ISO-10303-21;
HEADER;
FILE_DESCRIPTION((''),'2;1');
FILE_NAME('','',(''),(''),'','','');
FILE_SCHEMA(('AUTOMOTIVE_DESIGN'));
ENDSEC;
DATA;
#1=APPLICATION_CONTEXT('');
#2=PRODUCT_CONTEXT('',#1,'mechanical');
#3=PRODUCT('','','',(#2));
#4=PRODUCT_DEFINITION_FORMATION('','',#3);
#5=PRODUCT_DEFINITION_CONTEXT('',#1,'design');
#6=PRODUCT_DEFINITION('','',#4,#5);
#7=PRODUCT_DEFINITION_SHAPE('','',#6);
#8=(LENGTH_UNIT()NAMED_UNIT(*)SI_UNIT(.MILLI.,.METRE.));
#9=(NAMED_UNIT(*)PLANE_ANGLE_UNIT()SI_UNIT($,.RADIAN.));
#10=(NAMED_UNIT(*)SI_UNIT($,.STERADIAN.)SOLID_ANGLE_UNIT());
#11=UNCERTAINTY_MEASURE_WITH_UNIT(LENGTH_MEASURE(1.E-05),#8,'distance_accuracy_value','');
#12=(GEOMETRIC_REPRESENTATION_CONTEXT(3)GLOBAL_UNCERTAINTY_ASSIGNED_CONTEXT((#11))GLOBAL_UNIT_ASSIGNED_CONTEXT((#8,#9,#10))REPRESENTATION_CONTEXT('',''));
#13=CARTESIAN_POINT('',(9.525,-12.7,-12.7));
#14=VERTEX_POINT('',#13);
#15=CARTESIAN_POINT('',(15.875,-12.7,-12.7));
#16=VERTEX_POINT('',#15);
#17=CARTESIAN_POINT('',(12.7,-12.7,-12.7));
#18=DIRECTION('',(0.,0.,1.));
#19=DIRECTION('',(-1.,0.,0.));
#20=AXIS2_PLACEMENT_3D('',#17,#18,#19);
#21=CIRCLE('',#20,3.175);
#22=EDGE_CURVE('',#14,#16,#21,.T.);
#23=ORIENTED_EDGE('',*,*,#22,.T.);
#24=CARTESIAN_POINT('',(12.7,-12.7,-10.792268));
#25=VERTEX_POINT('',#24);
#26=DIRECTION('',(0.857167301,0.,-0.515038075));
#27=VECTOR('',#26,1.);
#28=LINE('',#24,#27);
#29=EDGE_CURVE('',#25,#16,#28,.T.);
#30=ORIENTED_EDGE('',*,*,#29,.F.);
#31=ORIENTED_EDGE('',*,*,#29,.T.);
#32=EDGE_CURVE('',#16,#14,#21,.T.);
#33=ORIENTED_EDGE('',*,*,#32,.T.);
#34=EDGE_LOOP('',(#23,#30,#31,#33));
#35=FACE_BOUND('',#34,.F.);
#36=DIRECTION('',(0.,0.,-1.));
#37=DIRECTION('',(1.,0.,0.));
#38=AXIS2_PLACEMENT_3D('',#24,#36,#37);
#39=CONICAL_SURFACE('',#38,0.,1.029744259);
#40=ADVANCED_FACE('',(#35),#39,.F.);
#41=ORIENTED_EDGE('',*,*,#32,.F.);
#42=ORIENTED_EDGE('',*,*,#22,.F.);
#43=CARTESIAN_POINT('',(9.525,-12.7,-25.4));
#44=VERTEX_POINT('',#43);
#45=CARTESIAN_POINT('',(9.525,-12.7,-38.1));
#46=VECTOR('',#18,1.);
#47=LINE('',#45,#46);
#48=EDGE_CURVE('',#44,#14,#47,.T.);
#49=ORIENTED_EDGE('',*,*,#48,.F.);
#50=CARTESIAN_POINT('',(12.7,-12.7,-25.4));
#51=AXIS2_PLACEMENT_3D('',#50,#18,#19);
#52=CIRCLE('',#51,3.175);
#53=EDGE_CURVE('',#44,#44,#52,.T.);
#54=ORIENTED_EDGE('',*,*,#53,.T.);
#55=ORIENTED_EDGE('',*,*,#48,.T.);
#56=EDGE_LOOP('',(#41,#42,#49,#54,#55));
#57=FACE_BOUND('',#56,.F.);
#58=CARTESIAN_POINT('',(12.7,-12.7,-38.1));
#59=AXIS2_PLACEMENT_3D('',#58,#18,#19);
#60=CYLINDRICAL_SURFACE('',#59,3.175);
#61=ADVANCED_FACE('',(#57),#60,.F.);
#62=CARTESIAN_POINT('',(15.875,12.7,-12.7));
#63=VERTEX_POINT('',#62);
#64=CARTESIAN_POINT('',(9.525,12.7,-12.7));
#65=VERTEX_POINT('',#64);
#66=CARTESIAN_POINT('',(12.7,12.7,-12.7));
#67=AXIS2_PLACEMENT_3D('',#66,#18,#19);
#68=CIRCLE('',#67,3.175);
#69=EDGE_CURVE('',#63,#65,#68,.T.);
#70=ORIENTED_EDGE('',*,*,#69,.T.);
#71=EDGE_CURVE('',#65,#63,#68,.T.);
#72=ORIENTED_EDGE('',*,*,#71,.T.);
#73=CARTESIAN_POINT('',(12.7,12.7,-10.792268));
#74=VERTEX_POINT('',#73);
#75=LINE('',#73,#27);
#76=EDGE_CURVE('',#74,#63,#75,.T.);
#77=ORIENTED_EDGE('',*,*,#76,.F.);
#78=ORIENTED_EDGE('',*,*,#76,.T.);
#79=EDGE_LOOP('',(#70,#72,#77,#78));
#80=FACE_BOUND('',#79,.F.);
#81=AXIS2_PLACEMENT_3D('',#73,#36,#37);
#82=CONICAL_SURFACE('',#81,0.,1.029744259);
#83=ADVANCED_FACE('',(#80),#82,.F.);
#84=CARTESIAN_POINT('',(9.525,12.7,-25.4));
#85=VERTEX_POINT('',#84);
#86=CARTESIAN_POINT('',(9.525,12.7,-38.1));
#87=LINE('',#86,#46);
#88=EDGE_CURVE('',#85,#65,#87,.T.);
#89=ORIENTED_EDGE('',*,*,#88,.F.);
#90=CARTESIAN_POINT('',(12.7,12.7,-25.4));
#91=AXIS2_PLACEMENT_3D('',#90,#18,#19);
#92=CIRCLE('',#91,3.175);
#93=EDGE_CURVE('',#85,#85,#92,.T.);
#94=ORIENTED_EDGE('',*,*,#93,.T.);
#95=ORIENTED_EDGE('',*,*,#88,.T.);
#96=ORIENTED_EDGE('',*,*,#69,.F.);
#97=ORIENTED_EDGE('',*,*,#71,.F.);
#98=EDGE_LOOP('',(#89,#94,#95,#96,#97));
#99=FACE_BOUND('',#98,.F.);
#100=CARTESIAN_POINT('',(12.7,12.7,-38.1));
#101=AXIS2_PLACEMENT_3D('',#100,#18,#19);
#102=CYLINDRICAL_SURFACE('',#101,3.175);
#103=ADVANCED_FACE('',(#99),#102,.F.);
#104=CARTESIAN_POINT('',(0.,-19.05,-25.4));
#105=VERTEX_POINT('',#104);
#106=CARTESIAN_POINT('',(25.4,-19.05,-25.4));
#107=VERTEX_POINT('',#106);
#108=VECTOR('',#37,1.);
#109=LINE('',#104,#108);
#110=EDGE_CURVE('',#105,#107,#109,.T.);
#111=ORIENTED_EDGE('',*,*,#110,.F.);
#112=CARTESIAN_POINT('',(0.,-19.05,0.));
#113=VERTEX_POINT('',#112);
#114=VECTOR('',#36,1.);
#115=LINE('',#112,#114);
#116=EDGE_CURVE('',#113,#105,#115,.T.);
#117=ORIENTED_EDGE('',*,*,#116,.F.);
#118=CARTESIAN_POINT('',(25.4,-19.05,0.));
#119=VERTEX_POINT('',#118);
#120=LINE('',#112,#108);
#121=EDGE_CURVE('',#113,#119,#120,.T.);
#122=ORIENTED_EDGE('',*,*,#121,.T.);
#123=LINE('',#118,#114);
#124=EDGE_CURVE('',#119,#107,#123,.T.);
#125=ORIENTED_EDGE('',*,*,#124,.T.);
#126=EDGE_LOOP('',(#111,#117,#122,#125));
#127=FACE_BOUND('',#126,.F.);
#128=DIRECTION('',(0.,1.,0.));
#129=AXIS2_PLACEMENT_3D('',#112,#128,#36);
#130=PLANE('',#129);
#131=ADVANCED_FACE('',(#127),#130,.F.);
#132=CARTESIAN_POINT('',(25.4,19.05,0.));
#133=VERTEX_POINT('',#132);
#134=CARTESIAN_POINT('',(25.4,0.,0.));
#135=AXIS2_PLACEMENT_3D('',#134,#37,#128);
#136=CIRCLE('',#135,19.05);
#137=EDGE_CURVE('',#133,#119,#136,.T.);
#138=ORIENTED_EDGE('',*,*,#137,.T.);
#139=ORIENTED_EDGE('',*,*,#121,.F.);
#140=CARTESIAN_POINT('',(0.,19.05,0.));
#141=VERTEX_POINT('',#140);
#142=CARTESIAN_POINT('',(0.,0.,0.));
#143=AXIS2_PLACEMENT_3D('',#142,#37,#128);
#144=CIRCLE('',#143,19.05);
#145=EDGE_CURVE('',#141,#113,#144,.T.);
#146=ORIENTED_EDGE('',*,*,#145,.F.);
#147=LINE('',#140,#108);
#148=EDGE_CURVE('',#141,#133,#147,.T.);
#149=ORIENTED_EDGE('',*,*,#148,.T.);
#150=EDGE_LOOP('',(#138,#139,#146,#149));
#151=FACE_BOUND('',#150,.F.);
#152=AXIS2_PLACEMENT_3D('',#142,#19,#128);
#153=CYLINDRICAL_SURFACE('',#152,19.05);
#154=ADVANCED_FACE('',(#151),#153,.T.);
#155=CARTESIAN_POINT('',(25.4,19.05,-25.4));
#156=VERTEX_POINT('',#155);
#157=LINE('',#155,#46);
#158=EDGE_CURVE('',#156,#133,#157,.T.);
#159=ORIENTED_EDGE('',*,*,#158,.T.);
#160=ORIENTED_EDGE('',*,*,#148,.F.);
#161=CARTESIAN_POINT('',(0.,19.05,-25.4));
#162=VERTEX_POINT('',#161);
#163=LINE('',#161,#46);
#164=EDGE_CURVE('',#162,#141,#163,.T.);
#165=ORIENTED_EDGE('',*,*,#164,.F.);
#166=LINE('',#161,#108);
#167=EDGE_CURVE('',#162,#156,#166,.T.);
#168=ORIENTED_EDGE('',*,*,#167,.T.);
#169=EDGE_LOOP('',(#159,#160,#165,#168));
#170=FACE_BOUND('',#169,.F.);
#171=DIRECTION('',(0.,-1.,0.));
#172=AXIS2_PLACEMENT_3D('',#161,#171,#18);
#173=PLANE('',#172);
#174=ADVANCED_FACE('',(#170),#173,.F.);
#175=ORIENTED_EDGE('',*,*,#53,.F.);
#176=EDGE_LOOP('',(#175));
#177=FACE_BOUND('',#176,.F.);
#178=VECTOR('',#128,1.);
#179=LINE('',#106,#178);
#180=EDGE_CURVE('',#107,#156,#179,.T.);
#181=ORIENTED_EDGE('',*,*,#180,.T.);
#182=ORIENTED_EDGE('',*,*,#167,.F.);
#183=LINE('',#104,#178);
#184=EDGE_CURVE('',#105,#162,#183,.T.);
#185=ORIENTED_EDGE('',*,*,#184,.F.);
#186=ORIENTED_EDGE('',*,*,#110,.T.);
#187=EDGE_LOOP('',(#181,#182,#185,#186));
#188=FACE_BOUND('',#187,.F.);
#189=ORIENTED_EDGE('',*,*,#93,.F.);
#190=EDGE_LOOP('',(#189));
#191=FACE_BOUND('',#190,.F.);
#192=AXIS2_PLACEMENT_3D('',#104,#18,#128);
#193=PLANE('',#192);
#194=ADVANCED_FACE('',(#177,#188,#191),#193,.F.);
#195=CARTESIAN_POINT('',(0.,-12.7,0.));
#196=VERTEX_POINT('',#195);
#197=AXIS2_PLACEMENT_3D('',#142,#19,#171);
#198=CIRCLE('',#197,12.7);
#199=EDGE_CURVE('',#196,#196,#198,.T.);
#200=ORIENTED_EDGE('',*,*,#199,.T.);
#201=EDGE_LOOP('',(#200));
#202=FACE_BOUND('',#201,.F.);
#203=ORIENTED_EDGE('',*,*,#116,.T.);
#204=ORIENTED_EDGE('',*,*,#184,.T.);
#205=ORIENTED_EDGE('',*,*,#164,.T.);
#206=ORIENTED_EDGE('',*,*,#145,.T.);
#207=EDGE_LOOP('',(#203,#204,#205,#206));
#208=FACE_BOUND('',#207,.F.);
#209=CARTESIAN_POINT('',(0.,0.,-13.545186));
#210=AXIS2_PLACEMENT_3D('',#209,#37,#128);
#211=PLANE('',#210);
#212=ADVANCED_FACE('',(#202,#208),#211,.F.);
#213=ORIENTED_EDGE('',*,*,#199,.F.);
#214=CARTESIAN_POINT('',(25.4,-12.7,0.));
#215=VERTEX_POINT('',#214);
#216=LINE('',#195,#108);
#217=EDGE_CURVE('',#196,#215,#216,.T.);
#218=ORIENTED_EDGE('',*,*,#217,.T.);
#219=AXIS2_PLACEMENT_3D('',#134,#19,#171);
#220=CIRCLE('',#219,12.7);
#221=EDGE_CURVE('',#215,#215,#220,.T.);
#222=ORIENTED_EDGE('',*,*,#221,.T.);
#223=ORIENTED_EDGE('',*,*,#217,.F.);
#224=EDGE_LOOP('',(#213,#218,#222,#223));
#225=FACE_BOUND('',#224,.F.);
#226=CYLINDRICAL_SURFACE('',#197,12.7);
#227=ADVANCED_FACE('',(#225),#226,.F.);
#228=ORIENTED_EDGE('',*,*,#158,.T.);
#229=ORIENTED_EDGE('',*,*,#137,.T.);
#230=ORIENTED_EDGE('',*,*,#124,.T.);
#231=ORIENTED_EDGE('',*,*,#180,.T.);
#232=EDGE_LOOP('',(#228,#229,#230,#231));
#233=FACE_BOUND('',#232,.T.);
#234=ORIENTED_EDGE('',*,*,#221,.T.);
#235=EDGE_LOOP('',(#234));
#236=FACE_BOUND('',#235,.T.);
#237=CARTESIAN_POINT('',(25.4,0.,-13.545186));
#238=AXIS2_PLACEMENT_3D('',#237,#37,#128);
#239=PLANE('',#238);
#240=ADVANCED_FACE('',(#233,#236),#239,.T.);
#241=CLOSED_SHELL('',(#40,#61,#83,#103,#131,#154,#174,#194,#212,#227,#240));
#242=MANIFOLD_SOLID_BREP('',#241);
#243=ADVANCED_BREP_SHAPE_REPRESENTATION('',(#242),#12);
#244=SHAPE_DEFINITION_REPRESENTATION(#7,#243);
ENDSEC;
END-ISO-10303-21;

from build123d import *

# Parameters (mm, degrees)
F1_DEPTH = 25.4
F3_D     = 6.35
F3_DEPTH = 12.7
F3_TIP   = 1.9077324654


with BuildPart() as f1:
    # F0 (on Right) → F1 (new body)
    with BuildSketch(Plane.YZ):
        with BuildLine():
            Line((19.05, 0), (12.7, 0))
            ThreePointArc((12.7, 0), (0, -12.7), (-12.7, 0))
            Line((-12.7, 0), (-19.05, 0))
            Line((-19.05, 0), (-19.05, -25.4))
            Line((-19.05, -25.4), (19.05, -25.4))
            Line((19.05, -25.4), (19.05, 0))
        make_face()
        with BuildLine():
            ThreePointArc((-12.7, 0), (0, 12.7), (12.7, 0))
            Line((12.7, 0), (19.05, 0))
            ThreePointArc((19.05, 0), (0, 19.05), (-19.05, 0))
            Line((-19.05, 0), (-12.7, 0))
        make_face()
    extrude(amount=F1_DEPTH)

    # F3
    with Locations(Plane(origin=(0, 0, -25.4), x_dir=(1, 0, 0), z_dir=(0, 0, -1))):
        with Locations((12.7, 12.7), (12.7, -12.7)):
            Hole(F3_D / 2, depth=F3_DEPTH)
            with Locations((0, 0, -(F3_DEPTH + F3_TIP / 2))):  # 118° drill point
                Cone(0, F3_D / 2, F3_TIP, mode=Mode.SUBTRACT)


solid = f1.part
